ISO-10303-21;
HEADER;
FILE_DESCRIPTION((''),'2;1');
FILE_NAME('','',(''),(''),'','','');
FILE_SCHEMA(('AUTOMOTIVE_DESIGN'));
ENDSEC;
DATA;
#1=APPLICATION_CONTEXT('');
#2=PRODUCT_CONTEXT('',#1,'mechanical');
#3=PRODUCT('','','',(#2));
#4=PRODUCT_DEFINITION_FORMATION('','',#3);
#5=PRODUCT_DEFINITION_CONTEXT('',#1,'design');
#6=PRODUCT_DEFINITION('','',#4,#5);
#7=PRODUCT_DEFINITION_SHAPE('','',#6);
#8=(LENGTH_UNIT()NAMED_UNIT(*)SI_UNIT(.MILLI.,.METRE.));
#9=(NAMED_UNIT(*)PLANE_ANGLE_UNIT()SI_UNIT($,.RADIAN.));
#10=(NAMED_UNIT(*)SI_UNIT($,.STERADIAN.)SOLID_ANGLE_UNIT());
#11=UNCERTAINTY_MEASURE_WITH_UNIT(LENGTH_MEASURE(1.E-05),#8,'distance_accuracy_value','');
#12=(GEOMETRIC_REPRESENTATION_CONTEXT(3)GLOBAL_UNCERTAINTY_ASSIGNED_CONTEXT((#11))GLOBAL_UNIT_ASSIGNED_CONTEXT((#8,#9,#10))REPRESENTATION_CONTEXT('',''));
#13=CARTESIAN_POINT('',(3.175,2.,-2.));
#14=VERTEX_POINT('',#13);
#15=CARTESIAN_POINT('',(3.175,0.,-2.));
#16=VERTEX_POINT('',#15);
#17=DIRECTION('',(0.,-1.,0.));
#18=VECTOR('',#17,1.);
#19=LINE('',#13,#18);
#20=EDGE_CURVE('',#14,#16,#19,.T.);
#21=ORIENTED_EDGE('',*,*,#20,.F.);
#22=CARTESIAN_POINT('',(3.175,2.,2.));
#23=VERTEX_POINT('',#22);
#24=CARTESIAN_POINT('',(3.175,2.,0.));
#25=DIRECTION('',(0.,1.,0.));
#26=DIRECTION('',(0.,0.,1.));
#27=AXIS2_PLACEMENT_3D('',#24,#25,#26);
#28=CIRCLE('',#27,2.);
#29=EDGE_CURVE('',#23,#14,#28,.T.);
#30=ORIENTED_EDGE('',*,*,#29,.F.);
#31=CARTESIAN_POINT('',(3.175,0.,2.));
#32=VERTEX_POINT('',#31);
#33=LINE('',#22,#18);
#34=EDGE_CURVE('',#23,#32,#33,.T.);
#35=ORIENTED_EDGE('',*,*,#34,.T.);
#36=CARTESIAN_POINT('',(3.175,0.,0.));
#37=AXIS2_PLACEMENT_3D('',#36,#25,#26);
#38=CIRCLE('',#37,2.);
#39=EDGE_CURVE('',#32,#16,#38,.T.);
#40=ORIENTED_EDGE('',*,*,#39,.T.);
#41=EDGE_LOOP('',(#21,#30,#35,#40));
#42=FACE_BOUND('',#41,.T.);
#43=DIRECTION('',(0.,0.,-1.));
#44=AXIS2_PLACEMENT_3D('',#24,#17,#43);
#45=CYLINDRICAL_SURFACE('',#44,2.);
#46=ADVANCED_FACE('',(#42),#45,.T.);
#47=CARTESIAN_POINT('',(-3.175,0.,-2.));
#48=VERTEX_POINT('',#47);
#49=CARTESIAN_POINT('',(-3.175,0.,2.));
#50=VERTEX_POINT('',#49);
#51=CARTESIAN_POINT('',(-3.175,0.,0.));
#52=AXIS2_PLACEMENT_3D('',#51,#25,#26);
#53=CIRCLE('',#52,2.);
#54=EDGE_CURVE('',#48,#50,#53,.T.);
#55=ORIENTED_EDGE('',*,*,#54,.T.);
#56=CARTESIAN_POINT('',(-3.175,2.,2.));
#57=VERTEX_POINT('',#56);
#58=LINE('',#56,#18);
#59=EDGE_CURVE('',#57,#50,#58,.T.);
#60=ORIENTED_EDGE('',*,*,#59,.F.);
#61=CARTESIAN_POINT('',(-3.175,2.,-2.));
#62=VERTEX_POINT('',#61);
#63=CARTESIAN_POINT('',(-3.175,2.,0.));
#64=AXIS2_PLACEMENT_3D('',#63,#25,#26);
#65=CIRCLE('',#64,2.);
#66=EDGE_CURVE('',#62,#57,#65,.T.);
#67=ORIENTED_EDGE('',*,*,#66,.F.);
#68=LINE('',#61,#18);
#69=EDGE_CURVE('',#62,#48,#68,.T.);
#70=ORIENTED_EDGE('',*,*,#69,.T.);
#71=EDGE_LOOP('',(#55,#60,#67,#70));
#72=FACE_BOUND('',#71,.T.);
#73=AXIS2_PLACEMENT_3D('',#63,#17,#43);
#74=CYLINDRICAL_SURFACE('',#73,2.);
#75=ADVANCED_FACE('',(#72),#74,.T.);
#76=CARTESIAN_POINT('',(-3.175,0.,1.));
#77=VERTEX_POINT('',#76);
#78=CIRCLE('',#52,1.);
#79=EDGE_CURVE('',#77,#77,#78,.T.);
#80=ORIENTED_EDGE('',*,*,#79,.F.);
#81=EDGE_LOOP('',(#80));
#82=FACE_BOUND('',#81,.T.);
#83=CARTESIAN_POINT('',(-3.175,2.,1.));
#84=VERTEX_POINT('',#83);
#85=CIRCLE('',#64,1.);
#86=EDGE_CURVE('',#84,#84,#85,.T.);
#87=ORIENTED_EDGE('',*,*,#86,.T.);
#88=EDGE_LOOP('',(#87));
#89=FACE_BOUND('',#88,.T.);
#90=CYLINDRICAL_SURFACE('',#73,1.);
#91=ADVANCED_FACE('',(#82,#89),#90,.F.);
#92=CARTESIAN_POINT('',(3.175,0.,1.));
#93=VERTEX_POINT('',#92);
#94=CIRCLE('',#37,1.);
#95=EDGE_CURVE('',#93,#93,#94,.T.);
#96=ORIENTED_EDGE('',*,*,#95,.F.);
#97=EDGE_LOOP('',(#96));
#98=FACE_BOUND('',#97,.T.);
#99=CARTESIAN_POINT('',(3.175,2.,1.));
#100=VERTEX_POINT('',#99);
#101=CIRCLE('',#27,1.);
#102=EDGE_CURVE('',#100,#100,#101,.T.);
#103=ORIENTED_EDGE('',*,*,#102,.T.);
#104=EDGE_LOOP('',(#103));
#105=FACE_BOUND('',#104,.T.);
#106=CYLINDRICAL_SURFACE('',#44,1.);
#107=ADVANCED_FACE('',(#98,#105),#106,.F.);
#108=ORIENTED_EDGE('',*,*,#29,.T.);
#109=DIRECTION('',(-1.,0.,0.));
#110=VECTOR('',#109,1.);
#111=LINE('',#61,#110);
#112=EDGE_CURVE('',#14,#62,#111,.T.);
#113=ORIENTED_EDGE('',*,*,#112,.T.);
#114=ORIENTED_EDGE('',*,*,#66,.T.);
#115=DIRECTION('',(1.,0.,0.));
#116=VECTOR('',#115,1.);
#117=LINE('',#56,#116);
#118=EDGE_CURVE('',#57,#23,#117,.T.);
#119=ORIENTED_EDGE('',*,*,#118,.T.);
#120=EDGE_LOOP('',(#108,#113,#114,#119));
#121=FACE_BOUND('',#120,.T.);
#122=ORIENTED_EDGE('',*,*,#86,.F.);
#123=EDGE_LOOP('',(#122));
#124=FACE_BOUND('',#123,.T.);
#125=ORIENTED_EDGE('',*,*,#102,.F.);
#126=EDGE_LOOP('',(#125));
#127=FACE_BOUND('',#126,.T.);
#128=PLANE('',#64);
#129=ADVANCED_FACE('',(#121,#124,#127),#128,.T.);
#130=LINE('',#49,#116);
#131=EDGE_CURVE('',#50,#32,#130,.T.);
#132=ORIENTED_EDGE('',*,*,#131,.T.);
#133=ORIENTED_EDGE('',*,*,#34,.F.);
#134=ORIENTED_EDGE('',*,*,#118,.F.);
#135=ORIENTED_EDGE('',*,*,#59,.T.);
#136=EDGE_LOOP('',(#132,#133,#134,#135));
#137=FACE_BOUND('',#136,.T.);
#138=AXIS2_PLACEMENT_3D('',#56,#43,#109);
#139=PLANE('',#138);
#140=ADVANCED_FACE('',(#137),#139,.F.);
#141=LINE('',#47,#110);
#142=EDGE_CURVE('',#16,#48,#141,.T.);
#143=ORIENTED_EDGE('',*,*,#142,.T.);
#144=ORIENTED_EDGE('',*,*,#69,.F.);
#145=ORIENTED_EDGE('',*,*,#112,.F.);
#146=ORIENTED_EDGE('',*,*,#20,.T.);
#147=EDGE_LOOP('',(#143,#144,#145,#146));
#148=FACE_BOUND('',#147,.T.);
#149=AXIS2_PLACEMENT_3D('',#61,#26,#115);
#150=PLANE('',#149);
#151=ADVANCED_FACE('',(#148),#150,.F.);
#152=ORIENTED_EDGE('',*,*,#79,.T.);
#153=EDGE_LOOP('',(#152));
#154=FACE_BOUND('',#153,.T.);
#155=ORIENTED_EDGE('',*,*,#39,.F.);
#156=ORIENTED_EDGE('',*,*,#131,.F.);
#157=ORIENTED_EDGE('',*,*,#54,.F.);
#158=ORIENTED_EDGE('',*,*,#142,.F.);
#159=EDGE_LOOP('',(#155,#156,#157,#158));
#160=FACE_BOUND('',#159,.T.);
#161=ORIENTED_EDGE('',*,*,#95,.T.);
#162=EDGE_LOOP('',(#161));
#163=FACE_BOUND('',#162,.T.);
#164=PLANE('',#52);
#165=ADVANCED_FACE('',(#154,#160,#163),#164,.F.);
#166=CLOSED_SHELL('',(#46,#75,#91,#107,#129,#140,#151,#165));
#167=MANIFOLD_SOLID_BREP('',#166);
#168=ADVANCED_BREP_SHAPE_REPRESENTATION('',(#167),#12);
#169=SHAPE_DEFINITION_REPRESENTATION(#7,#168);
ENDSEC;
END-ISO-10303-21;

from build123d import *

# Parameters (mm, degrees)
SKETCH1_R           = 1
BOSS_EXTRUDE1_DEPTH = 2


with BuildPart() as part:
    # Sketch1 → Boss-Extrude1 (new body)
    with BuildSketch(Plane(origin=(0, 0, 0), x_dir=(1, 0, 0), z_dir=(0, 1, 0))):
        with BuildLine():
            Line((-3.175, 2), (3.175, 2))
            ThreePointArc((3.175, 2), (5.175, 0), (3.175, -2))
            Line((3.175, -2), (-3.175, -2))
            ThreePointArc((-3.175, -2), (-5.175, 0), (-3.175, 2))
        make_face()
        with Locations((3.175, 0)):
            Circle(SKETCH1_R, mode=Mode.SUBTRACT)
        with Locations((-3.175, 0)):
            Circle(SKETCH1_R, mode=Mode.SUBTRACT)
    extrude(amount=BOSS_EXTRUDE1_DEPTH)


solid = part.part
